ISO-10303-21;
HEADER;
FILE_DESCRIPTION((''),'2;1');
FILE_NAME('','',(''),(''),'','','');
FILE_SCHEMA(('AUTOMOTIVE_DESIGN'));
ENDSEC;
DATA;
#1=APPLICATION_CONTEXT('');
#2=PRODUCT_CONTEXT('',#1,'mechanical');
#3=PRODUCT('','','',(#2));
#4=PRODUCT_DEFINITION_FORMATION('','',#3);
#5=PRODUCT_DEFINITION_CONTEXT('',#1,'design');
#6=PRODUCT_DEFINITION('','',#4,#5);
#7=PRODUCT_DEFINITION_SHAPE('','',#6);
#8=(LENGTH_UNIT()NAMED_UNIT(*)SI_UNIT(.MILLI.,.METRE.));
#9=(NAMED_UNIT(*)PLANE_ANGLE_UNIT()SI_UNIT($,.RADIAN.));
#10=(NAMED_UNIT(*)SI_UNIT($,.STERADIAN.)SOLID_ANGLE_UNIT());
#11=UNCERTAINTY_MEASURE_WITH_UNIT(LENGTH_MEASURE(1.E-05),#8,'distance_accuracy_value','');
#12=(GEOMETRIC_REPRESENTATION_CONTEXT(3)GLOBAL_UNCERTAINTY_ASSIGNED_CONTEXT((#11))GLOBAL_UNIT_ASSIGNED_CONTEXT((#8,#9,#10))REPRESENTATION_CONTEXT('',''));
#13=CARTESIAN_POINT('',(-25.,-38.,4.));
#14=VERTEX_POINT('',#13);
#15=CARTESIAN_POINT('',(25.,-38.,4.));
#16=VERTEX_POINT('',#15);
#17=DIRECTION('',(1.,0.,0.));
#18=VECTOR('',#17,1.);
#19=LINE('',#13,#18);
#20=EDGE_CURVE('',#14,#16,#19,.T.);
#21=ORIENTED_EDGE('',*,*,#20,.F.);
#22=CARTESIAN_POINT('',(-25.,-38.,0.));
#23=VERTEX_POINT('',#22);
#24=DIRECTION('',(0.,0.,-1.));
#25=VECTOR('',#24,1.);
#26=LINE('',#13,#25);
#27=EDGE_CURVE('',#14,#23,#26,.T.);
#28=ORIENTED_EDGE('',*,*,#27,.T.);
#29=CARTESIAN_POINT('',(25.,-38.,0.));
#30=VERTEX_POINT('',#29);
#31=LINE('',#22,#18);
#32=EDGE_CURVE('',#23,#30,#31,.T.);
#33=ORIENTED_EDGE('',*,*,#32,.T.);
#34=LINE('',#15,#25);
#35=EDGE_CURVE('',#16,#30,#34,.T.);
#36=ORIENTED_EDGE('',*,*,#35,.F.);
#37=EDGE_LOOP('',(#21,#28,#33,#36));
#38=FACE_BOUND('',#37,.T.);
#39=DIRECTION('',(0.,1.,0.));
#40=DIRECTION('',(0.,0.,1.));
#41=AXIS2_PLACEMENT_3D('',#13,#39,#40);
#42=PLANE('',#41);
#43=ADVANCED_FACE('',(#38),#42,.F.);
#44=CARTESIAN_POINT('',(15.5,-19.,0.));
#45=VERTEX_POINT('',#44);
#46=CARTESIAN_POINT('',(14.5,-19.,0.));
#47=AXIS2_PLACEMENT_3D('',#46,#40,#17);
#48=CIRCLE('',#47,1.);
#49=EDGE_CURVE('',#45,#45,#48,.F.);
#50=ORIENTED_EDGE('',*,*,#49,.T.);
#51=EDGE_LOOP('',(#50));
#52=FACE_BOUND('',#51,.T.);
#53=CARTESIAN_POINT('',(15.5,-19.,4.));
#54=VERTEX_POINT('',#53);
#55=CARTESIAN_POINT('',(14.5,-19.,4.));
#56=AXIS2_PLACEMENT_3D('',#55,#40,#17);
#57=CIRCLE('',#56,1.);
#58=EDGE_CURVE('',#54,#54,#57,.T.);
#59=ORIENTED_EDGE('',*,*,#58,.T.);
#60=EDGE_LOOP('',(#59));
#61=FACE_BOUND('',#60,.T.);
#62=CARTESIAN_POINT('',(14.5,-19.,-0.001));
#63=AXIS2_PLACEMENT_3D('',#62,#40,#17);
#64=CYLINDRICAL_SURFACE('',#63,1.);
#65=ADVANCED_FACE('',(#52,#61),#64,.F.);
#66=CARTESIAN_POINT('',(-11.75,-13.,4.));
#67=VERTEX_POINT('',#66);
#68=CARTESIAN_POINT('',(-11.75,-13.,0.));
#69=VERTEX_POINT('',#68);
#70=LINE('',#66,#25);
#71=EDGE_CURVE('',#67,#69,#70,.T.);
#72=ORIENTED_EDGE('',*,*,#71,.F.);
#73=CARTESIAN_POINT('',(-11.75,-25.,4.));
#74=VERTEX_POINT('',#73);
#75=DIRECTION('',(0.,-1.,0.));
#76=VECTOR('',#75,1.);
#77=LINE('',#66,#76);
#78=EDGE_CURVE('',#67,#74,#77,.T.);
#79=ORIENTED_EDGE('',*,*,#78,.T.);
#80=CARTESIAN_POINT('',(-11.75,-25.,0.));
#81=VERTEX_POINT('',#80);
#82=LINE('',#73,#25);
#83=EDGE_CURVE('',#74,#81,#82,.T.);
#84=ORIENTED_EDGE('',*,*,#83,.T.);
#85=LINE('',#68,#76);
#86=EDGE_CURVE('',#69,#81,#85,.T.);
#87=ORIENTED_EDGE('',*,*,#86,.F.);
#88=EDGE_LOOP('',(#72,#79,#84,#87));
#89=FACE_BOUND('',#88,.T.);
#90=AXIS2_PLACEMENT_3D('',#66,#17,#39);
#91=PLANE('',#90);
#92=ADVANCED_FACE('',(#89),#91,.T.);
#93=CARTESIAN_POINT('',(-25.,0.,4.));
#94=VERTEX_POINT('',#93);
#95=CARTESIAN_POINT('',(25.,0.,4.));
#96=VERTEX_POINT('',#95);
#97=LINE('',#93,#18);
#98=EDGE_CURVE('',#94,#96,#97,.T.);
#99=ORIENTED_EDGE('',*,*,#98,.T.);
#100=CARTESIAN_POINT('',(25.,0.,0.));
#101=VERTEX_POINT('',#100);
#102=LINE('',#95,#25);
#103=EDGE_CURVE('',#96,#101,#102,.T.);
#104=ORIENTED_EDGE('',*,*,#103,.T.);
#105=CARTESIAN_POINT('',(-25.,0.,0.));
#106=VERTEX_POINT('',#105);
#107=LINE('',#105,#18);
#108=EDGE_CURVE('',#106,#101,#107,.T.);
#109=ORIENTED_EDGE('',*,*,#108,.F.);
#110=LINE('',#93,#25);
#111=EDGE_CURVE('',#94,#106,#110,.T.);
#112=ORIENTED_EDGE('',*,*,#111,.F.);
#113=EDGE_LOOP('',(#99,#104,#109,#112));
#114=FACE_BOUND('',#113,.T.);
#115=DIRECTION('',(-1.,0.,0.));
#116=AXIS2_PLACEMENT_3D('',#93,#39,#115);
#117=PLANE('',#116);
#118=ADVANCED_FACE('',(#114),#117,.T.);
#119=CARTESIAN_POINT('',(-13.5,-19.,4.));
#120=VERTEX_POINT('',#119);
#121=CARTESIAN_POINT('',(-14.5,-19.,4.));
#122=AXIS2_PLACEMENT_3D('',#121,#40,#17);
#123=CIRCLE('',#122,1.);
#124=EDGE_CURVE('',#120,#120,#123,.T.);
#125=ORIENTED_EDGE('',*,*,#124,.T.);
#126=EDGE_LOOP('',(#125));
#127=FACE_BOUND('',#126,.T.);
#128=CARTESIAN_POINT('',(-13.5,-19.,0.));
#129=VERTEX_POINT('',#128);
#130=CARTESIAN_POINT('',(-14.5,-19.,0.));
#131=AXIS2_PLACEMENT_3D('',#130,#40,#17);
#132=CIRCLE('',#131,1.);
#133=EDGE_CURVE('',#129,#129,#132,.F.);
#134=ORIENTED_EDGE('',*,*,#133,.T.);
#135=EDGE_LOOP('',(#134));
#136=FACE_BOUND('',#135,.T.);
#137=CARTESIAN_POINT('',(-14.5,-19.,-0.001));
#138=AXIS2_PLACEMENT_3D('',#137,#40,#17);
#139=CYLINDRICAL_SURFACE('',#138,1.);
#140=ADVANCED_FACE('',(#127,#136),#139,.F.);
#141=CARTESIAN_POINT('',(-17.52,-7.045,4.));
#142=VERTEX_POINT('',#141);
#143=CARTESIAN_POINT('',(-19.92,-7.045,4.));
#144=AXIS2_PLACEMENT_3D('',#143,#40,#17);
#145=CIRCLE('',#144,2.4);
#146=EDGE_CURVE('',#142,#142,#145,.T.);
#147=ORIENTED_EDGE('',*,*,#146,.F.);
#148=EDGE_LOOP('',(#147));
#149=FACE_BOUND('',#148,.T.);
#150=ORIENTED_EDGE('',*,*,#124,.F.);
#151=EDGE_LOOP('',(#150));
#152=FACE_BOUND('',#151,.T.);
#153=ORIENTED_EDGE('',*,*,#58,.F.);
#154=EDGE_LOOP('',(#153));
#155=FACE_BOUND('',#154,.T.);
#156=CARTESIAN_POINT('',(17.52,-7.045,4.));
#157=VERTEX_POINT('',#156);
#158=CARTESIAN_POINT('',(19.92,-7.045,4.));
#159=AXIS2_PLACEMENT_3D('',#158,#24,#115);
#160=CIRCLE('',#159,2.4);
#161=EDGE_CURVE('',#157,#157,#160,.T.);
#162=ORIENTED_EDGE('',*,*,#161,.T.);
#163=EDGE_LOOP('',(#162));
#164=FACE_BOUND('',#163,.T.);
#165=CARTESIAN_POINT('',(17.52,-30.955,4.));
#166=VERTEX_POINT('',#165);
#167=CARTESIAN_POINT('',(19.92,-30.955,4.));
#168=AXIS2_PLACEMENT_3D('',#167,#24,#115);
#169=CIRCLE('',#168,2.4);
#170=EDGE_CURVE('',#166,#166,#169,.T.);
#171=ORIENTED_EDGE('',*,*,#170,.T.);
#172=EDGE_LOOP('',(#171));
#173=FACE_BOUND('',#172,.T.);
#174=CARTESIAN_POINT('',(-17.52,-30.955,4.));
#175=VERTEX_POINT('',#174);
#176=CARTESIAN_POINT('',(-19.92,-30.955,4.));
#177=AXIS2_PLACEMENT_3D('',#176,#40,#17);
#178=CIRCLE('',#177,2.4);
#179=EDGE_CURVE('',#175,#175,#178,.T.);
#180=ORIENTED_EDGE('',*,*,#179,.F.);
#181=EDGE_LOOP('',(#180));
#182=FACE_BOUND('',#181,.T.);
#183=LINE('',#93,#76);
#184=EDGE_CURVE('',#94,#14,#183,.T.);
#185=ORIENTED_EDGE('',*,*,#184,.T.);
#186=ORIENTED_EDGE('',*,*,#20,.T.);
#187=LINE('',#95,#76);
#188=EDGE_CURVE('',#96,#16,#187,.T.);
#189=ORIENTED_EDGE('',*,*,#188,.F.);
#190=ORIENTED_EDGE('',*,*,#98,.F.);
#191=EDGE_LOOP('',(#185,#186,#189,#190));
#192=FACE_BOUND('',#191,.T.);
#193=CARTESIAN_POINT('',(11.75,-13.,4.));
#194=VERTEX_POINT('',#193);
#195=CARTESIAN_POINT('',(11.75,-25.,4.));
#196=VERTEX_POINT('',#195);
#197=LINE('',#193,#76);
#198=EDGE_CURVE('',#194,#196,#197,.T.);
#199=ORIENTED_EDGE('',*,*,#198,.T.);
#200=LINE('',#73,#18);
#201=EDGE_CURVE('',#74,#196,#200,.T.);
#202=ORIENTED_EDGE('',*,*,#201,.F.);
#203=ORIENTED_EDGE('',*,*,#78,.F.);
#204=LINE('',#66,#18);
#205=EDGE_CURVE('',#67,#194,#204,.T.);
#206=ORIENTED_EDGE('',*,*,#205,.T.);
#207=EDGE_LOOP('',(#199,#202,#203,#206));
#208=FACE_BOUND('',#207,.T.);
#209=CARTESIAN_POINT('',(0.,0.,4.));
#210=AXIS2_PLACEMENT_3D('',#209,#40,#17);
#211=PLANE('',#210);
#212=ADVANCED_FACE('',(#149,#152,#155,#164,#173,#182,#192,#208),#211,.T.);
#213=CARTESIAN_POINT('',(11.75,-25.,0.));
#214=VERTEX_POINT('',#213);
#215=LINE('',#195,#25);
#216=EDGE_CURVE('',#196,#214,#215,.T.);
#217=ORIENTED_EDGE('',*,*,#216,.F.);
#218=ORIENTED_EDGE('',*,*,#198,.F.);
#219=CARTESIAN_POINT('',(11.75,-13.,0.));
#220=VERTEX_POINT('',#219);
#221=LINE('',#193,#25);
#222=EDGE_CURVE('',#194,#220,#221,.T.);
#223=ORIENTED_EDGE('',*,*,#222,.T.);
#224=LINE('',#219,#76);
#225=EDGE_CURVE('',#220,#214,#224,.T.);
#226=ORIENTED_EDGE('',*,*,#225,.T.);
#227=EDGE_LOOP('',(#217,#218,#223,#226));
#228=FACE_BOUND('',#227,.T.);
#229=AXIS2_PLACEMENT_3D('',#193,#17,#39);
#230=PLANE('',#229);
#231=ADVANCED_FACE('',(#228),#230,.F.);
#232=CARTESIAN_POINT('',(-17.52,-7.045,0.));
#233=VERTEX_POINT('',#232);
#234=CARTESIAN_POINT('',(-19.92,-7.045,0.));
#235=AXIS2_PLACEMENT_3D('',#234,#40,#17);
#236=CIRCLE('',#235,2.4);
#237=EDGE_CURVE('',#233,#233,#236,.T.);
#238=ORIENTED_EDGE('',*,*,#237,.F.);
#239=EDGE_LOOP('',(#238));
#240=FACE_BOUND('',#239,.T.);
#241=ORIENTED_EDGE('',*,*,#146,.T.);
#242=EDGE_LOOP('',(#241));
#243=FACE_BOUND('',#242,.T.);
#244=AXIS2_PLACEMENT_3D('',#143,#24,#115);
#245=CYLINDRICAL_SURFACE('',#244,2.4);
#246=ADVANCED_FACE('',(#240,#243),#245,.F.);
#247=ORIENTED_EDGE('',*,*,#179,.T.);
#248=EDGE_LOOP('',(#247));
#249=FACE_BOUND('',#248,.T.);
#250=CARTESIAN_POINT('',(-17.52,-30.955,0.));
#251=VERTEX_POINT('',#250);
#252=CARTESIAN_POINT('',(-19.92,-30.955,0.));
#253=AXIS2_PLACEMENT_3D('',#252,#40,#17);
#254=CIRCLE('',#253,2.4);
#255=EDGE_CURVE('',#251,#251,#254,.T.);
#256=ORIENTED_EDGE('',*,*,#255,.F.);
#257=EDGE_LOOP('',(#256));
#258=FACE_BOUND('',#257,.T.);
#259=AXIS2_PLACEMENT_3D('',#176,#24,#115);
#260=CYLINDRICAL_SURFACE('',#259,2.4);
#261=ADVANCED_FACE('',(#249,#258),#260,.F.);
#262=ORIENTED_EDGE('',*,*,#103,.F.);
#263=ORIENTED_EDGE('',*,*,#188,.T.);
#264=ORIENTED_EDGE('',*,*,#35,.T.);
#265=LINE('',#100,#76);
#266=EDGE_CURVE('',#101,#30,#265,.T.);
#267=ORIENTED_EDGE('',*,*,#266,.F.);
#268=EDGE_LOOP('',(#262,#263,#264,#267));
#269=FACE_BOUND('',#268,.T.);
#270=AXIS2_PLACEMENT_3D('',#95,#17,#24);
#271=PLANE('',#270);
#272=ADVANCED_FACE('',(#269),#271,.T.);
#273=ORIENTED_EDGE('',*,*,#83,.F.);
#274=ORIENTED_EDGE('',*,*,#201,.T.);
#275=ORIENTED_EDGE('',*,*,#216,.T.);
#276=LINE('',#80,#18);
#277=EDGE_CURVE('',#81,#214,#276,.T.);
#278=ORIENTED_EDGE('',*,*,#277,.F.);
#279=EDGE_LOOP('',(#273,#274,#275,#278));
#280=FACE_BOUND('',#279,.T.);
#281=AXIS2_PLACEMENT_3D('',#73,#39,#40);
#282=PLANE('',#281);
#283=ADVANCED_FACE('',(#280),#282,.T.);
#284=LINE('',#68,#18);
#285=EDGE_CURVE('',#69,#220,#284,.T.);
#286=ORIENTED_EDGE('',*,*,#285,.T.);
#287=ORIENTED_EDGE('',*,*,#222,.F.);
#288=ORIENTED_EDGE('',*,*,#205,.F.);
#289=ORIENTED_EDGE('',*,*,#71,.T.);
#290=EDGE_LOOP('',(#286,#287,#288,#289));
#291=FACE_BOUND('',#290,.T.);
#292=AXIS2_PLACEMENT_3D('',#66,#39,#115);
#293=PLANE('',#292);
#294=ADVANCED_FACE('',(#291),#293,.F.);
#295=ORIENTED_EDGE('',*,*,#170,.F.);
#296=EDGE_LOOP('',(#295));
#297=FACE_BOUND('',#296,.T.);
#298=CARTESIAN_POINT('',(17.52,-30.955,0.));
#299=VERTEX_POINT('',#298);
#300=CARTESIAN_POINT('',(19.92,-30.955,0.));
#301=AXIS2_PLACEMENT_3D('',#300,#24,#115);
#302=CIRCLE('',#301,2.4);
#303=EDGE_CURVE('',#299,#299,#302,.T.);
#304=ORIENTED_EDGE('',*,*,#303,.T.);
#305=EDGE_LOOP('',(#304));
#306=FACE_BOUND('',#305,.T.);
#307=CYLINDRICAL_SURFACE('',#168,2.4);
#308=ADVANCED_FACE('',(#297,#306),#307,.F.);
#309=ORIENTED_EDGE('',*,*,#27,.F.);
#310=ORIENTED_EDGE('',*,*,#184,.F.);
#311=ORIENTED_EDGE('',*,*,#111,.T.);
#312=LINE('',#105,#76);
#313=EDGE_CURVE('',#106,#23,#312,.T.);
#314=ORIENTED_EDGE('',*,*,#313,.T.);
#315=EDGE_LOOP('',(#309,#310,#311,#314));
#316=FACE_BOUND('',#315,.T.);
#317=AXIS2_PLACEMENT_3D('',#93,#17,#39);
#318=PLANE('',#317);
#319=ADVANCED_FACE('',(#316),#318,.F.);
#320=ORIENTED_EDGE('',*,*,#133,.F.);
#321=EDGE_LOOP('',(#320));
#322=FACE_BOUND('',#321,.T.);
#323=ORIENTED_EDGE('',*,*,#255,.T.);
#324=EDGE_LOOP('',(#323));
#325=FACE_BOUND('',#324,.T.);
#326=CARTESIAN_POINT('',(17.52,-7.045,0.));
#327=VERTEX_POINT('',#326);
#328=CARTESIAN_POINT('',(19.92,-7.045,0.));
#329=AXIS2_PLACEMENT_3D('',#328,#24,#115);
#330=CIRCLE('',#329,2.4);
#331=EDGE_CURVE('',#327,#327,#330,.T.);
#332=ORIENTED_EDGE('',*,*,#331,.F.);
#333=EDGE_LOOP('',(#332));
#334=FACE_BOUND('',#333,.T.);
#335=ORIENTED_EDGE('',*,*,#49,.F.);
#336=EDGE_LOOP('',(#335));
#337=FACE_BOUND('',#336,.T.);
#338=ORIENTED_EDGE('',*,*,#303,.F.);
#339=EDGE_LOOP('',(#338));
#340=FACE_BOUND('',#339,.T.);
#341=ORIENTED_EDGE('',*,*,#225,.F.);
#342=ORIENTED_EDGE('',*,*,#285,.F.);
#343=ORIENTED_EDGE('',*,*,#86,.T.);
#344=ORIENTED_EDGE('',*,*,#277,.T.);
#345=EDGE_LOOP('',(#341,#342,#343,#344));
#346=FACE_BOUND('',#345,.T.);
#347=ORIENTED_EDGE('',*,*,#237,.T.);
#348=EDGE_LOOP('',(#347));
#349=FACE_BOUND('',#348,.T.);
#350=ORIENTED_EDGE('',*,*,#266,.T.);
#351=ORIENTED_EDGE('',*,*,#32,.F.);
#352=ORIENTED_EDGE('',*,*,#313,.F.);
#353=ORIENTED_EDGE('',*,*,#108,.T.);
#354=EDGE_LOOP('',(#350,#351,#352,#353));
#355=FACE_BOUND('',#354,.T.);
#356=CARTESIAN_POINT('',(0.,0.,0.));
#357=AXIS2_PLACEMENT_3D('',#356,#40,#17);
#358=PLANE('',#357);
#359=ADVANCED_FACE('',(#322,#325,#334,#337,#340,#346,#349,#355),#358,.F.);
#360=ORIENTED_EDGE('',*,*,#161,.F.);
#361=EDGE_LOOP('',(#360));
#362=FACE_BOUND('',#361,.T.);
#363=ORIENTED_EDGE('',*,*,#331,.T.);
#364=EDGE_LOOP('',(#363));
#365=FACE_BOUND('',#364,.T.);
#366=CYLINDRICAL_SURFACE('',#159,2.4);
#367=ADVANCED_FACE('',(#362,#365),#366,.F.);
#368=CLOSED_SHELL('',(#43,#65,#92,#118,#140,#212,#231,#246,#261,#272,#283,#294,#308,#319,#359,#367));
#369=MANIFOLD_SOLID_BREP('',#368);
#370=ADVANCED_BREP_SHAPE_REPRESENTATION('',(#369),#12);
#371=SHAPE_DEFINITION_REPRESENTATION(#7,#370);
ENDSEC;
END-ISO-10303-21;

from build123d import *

# Parameters (mm, degrees)
SKETCH1_W           = 50
SKETCH1_H           = 38
SKETCH1_R           = 2.4
SKETCH1_W_2         = 23.5
SKETCH1_H_2         = 12
BOSS_EXTRUDE1_DEPTH = 4
CUT_EXTRUDE1_REACH  = 6
SKETCH2_R           = 1


with BuildPart() as part:
    # Sketch1 → Boss-Extrude1 (new body)
    with BuildSketch(Plane.XY):
        with Locations((0, -19)):
            Rectangle(SKETCH1_W, SKETCH1_H)
        with Locations((-19.92, -7.045)):
            Circle(SKETCH1_R, mode=Mode.SUBTRACT)
        with Locations((-19.92, -30.955)):
            Circle(SKETCH1_R, mode=Mode.SUBTRACT)
        with Locations((19.92, -30.955)):
            Circle(SKETCH1_R, mode=Mode.SUBTRACT)
        with Locations((19.92, -7.045)):
            Circle(SKETCH1_R, mode=Mode.SUBTRACT)
        with Locations((0, -19)):
            Rectangle(SKETCH1_W_2, SKETCH1_H_2, mode=Mode.SUBTRACT)
    extrude(amount=BOSS_EXTRUDE1_DEPTH)

    # Sketch2 → Cut-Extrude1 (cut, up to next)
    with BuildSketch(Plane.XY.offset(4), mode=Mode.PRIVATE) as cut_extrude1_sk1:
        with Locations((-14.5, -19)):
            Circle(SKETCH2_R)
    cut_extrude1_tool1 = extrude(cut_extrude1_sk1.sketch, amount=-CUT_EXTRUDE1_REACH, mode=Mode.PRIVATE) & part.part
    add(cut_extrude1_tool1.solids().sort_by_distance((-14.5, -19, 4))[0], mode=Mode.SUBTRACT)
    # Sketch2 → Cut-Extrude1 (cut, up to next)
    with BuildSketch(Plane.XY.offset(4), mode=Mode.PRIVATE) as cut_extrude1_sk2:
        with Locations((14.5, -19)):
            Circle(SKETCH2_R)
    cut_extrude1_tool2 = extrude(cut_extrude1_sk2.sketch, amount=-CUT_EXTRUDE1_REACH, mode=Mode.PRIVATE) & part.part
    add(cut_extrude1_tool2.solids().sort_by_distance((14.5, -19, 4))[0], mode=Mode.SUBTRACT)


solid = part.part
